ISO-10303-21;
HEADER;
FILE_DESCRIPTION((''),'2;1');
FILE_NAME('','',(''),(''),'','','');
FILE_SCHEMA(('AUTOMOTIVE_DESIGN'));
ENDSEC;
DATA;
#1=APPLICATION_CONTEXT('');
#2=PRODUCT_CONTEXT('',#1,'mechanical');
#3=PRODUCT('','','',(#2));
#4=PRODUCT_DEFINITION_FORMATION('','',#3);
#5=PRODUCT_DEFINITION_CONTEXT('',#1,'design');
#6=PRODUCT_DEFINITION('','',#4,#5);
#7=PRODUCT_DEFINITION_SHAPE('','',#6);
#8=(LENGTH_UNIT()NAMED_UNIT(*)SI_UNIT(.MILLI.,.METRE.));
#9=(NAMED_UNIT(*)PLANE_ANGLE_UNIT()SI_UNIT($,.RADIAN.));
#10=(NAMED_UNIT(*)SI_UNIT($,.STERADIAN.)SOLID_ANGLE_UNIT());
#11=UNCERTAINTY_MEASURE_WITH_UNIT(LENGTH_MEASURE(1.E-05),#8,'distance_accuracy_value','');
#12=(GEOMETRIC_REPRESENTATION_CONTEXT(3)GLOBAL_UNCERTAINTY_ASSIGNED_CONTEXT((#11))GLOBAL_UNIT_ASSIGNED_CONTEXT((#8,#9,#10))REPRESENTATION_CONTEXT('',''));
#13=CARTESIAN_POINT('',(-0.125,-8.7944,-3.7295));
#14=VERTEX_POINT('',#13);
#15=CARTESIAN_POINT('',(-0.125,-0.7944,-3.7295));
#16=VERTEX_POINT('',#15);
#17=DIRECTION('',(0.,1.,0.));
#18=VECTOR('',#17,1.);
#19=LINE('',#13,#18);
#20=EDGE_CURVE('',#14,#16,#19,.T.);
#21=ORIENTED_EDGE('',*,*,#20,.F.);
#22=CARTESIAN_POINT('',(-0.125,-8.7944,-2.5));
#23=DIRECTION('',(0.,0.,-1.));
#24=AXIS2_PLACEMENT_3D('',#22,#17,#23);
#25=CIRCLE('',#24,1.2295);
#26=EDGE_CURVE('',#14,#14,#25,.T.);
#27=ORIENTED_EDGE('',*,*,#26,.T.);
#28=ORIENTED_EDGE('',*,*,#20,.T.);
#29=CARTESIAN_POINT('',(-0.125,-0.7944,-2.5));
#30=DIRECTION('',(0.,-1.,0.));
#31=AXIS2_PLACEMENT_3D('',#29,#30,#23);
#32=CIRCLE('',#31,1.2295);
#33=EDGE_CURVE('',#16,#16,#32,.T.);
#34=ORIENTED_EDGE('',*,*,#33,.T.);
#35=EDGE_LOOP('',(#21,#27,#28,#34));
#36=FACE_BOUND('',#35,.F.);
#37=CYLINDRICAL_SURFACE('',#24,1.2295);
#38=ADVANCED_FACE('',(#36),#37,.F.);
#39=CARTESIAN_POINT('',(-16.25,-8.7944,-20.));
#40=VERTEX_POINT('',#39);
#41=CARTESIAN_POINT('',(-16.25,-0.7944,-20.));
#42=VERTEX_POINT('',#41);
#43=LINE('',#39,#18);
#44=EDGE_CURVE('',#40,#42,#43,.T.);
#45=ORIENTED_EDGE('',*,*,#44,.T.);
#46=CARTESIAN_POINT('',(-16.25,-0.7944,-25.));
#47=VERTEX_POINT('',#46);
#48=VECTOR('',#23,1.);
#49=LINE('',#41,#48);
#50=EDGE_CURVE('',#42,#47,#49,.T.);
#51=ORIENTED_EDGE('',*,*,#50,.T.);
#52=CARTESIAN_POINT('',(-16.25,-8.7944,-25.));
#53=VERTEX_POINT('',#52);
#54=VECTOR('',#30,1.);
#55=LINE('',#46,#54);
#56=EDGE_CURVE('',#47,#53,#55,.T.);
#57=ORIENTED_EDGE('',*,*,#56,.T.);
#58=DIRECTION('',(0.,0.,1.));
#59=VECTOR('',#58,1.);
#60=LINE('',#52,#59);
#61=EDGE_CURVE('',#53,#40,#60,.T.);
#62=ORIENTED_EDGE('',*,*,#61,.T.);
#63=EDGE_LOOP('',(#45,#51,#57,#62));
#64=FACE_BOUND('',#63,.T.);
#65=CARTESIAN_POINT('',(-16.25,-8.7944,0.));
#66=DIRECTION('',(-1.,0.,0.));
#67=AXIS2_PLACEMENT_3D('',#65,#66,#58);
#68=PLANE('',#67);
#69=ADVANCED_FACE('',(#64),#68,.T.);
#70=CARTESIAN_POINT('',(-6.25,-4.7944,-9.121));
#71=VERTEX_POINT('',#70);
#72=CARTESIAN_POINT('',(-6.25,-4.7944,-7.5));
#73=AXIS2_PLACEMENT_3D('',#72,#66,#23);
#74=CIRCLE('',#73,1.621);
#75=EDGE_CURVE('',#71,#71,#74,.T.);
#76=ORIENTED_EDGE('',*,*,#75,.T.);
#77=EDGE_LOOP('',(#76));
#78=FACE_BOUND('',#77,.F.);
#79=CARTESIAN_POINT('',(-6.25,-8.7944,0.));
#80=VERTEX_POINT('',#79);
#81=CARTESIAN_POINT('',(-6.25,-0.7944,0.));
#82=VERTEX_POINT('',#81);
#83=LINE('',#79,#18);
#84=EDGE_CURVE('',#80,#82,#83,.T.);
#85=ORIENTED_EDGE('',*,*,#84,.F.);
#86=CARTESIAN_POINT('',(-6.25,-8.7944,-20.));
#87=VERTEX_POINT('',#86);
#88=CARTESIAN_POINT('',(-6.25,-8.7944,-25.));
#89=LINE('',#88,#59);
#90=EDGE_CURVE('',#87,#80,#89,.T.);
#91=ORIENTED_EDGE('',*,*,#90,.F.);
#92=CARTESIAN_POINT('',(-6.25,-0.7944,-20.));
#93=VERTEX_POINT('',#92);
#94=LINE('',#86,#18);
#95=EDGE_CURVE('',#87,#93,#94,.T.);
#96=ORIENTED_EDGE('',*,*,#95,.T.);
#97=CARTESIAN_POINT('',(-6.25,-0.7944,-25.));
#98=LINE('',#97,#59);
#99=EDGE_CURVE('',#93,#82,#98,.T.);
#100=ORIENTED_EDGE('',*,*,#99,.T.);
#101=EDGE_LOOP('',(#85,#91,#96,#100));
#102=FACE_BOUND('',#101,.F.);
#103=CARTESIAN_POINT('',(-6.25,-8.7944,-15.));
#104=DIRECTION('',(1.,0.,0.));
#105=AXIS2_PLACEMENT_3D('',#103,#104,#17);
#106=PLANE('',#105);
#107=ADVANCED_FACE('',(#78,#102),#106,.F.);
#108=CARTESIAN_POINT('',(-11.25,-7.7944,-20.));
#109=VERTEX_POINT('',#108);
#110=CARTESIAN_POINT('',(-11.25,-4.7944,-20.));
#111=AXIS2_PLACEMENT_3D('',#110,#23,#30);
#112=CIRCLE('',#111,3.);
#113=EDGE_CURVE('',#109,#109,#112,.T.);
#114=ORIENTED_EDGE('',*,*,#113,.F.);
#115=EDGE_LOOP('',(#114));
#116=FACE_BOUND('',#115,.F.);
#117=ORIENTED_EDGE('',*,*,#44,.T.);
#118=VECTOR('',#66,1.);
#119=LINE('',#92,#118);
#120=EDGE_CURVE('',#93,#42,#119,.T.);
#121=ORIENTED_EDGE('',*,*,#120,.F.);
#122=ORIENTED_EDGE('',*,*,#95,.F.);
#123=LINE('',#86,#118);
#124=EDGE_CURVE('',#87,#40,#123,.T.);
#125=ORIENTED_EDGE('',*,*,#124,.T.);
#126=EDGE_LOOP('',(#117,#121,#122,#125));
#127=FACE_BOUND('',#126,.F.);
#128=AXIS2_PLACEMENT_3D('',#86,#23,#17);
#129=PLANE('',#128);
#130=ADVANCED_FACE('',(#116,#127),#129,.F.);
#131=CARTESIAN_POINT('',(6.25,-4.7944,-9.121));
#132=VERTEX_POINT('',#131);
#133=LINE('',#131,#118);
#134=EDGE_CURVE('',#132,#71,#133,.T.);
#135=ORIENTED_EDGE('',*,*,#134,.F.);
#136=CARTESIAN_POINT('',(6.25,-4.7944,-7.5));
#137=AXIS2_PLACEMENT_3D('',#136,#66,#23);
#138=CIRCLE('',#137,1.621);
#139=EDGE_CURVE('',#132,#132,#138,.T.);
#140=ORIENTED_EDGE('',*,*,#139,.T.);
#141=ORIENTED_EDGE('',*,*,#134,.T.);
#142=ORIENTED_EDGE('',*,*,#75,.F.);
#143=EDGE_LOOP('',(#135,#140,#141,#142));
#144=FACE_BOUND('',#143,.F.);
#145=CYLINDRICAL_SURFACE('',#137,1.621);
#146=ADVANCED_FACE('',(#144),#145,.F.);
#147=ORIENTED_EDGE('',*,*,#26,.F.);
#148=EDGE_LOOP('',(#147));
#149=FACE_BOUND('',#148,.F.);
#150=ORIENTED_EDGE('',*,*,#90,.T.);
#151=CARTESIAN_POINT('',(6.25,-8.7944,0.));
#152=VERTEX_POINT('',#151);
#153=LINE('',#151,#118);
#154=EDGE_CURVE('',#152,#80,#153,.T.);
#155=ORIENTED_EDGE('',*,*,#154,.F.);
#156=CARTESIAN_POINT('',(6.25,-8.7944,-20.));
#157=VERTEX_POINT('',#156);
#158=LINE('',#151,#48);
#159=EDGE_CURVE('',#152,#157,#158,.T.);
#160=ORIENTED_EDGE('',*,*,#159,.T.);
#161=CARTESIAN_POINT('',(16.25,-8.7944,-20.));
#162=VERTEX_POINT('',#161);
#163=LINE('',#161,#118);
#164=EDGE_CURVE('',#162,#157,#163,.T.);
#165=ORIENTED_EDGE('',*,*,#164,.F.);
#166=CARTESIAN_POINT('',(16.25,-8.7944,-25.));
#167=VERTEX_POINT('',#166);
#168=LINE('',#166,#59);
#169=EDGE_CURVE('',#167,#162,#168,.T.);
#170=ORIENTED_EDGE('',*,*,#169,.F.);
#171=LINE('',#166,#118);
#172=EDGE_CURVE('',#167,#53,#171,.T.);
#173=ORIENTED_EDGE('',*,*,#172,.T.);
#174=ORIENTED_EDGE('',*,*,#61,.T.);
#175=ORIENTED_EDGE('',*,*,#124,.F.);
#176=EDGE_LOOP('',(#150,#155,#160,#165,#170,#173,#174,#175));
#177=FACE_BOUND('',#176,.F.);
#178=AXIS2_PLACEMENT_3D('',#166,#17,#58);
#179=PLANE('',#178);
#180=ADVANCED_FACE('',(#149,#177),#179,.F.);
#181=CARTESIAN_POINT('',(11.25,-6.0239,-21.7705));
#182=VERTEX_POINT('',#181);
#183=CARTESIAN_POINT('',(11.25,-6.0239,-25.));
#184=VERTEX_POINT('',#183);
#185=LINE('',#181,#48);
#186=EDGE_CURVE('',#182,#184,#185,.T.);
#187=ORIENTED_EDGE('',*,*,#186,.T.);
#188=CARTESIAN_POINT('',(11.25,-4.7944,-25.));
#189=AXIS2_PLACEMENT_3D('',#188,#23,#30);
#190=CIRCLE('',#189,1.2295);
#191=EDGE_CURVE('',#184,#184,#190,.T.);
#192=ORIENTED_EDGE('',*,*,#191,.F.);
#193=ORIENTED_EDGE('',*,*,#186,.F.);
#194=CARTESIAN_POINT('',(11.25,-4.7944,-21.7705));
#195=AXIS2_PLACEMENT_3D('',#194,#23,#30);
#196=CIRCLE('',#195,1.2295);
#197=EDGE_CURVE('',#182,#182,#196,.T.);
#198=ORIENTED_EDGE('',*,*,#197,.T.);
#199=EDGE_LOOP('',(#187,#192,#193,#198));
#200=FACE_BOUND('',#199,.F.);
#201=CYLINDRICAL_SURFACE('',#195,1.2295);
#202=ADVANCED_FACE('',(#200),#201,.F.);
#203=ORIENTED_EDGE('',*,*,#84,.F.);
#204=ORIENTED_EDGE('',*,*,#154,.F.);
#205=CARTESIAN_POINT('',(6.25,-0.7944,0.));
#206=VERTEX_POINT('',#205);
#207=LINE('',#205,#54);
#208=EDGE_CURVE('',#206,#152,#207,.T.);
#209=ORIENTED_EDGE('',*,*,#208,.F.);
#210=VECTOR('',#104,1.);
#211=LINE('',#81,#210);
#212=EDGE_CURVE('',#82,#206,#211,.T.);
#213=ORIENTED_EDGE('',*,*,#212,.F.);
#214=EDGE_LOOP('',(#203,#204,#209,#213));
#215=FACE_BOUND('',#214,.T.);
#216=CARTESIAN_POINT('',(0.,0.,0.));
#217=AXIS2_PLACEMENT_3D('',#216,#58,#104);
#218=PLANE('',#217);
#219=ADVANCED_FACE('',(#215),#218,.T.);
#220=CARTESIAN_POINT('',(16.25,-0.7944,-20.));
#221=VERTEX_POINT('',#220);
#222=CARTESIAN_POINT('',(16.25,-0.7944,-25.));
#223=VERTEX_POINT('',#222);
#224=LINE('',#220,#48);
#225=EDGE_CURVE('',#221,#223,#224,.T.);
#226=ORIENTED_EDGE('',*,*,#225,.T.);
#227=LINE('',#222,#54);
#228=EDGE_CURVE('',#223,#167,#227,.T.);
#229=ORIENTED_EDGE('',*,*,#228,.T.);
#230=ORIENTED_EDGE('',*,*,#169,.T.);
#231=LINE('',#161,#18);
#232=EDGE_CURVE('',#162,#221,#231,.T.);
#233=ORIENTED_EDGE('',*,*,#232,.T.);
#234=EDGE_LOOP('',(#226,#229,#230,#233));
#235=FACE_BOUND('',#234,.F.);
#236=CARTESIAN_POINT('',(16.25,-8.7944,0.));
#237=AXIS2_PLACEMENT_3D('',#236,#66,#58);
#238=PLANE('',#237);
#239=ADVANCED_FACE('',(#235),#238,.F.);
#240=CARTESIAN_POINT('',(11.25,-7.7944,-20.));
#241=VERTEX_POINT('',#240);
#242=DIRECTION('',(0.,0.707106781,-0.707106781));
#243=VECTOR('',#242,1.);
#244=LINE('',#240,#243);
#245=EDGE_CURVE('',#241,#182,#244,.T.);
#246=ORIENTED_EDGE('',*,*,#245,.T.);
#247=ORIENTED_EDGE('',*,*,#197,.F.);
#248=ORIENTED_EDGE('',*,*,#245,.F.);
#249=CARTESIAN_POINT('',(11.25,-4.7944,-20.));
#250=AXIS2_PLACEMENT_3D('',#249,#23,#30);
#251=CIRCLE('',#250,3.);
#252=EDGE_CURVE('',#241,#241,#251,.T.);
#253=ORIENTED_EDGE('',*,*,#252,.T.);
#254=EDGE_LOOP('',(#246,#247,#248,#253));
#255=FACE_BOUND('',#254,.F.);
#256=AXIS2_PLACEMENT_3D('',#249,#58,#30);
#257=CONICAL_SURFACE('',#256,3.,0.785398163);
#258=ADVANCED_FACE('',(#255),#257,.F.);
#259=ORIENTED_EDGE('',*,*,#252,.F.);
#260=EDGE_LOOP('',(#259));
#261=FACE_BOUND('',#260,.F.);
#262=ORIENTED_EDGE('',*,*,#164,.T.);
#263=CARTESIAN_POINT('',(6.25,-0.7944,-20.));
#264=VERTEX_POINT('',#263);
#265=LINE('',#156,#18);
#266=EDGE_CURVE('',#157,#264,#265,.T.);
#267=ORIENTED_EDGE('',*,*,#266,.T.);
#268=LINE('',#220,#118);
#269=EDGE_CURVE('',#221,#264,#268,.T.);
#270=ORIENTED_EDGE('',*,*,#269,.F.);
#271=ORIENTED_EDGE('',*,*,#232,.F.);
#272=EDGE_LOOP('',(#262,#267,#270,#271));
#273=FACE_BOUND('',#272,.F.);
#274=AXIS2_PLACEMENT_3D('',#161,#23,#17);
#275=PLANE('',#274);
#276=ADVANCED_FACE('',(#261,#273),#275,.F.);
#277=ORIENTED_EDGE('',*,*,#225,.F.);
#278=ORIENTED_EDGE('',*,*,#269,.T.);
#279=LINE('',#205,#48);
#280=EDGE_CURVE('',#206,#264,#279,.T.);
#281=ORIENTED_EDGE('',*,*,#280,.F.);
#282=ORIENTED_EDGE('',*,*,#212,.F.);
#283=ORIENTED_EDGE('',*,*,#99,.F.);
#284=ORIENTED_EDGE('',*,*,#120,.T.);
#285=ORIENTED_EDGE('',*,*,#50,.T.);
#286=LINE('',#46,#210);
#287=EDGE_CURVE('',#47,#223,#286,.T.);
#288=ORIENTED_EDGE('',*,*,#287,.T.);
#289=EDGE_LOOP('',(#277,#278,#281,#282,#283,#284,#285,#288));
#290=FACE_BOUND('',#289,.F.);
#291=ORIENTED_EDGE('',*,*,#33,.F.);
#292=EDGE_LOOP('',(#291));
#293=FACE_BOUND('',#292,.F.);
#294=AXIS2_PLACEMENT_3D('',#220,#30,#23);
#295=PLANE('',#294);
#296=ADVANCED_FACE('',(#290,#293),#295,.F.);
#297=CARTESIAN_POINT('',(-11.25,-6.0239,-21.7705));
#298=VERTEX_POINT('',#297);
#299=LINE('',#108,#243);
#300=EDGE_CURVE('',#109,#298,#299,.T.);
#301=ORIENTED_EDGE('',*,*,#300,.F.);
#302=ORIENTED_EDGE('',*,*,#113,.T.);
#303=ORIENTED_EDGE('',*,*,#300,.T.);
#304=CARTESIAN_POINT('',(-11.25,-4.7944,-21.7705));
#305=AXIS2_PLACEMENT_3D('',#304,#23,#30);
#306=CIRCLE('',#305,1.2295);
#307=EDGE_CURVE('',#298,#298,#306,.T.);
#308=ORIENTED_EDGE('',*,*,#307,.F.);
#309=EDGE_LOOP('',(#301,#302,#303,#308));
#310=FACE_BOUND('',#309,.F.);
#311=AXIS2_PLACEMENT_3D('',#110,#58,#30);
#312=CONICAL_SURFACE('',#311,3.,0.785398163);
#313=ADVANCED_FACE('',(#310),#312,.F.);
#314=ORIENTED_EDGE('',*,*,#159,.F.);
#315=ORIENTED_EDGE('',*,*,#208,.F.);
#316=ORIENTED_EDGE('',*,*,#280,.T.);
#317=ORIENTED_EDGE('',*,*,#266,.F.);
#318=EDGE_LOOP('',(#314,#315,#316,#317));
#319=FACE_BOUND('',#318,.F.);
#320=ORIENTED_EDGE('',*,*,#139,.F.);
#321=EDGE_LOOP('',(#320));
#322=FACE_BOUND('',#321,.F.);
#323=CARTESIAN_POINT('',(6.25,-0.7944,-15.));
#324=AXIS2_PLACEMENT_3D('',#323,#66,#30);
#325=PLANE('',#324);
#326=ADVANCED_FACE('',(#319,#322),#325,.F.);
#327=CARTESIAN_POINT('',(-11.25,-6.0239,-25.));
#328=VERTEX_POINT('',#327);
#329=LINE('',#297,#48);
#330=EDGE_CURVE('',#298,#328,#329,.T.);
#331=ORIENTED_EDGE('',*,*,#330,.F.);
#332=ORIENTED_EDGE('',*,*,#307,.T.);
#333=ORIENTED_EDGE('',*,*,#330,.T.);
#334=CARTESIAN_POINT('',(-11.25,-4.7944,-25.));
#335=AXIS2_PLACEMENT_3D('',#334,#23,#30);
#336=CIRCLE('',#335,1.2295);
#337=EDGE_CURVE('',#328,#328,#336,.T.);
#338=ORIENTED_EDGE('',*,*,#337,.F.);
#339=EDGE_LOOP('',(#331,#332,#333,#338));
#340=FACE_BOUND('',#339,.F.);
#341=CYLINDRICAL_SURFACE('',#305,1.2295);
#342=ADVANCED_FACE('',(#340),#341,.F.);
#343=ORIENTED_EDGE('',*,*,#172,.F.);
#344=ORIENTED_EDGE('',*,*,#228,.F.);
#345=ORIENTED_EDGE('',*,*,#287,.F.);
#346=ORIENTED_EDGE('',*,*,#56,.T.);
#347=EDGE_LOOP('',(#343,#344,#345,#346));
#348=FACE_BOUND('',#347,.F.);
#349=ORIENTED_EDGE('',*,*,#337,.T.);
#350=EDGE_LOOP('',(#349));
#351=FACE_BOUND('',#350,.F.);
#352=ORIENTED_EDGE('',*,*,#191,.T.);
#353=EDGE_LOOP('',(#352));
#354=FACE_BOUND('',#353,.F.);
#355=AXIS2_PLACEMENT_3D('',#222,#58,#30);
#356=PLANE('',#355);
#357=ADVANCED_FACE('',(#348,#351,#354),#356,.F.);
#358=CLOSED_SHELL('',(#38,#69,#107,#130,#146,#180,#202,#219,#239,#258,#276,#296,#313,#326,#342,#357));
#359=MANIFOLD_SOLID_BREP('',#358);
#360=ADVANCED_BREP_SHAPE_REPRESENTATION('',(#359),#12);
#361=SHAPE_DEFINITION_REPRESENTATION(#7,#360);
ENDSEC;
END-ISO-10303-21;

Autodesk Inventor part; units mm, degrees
ref_plane "YZ Plane" through (0, 0, 0) normal (1, 0, 0) x (0, 1, 0)
ref_plane "XZ Plane" through (0, 0, 0) normal (0, 1, 0) x (-1, 0, 0)
ref_plane "XY Plane" through (0, 0, 0) normal (0, 0, 1) x (1, 0, 0)
sketch "Sketch1" plane through (0, 0, 0) normal (0, 0, 1) x (1, 0, 0)
  line L0 (3.9408, -0.7944) -> (3.5592, -0.7944)
  line L1 (1.4408, -0.7944) -> (1.0592, -0.7944)
  line L2 (-1.0592, -0.7944) -> (-1.4408, -0.7944)
  line L3 (-3.5592, -0.7944) -> (-3.9408, -0.7944)
  line L4 (-6.0592, -0.7944) -> (-6.25, -0.7944)
  line L5 (6.25, -0.7944) -> (6.0592, -0.7944)
  line L6 (6.25, -0.7944) -> (6.25, -8.7944)
  line L7 (6.25, -8.7944) -> (-6.25, -8.7944)
  line L8 (-6.25, -8.7944) -> (-6.25, -0.7944)
  line L9 (-6.25, -0.7944) -> (-6.0592, -0.7944)
  line L10 (-3.9408, -0.7944) -> (-3.5592, -0.7944)
  line L11 (-1.4408, -0.7944) -> (-1.0592, -0.7944)
  line L12 (1.0592, -0.7944) -> (1.4408, -0.7944)
  line L13 (3.5592, -0.7944) -> (3.9408, -0.7944)
  line L14 (6.0592, -0.7944) -> (6.25, -0.7944)
  line L15 (-6.25, -0.7944) -> (6.25, -0.7944)
  point P0 (0, 0)
  dimension "height" = 8
extrude "Extrusion1" add sketch "Sketch1" against normal blind 15
hole "Hole1" at (-0.125, -8.7944, -2.5) direction (0, 1, 0) diameter 2.459 end through all thread size "M3x0.5" class "6H" standard "ANSI Metric M Profile"
hole "Hole2" at (6.25, -4.7944, -7.5) direction (-1, 0, 0) diameter 3.242 end through all thread size "M4x0.7" class "6H" standard "ANSI Metric M Profile"
sketch "Sketch2" plane through (0, 0, -15) normal (0, 0, -1) x (-1, 0, 0)
  line L0 (-6.25, -0.7944) -> (-6.25, -8.7944) projected
  line L1 (-6.25, -8.7944) -> (6.25, -8.7944) projected
  line L2 (6.25, -8.7944) -> (6.25, -0.7944) projected
  line L3 (6.25, -0.7944) -> (-6.25, -0.7944) projected
  point P0 (0, 0)
extrude "Extrusion4" add sketch "Sketch2" along normal blind 10
sketch "Sketch4" plane through (-6.25, -8.7944, 0) normal (-1, 0, 0) x (0, 0, 1)
  line L0 (-25, 0) -> (-20, 0)
  line L1 (-20, 0) -> (-20, 8)
  line L2 (-20, 8) -> (-25, 8)
  line L3 (-25, 8) -> (-25, 0)
  point P0 (0, 8.7944)
  dimension "d28" = 5
  dimension "d40" = 8
extrude "Extrusion5" add sketch "Sketch4" along normal blind 10
hole "Hole3" at (-11.25, -4.7944, -20) direction (0, 0, -1) diameter 2.459 end through all countersink diameter 6 countersink angle 90 thread size "M3x0.5" class "6H" standard "ANSI Metric M Profile"
pattern_linear "Rectangular Pattern1" count 2 spacing 22.5 along (1, 0, 0) of "Extrusion5", "Hole3"
equation "\"d12\" = 0.5 * width"
equation "\"d13\" = 0.5 * height"
equation "\"width\" = 15"
properties part number "T2.5 belt holder fixed" material "Aluminum 6061"
